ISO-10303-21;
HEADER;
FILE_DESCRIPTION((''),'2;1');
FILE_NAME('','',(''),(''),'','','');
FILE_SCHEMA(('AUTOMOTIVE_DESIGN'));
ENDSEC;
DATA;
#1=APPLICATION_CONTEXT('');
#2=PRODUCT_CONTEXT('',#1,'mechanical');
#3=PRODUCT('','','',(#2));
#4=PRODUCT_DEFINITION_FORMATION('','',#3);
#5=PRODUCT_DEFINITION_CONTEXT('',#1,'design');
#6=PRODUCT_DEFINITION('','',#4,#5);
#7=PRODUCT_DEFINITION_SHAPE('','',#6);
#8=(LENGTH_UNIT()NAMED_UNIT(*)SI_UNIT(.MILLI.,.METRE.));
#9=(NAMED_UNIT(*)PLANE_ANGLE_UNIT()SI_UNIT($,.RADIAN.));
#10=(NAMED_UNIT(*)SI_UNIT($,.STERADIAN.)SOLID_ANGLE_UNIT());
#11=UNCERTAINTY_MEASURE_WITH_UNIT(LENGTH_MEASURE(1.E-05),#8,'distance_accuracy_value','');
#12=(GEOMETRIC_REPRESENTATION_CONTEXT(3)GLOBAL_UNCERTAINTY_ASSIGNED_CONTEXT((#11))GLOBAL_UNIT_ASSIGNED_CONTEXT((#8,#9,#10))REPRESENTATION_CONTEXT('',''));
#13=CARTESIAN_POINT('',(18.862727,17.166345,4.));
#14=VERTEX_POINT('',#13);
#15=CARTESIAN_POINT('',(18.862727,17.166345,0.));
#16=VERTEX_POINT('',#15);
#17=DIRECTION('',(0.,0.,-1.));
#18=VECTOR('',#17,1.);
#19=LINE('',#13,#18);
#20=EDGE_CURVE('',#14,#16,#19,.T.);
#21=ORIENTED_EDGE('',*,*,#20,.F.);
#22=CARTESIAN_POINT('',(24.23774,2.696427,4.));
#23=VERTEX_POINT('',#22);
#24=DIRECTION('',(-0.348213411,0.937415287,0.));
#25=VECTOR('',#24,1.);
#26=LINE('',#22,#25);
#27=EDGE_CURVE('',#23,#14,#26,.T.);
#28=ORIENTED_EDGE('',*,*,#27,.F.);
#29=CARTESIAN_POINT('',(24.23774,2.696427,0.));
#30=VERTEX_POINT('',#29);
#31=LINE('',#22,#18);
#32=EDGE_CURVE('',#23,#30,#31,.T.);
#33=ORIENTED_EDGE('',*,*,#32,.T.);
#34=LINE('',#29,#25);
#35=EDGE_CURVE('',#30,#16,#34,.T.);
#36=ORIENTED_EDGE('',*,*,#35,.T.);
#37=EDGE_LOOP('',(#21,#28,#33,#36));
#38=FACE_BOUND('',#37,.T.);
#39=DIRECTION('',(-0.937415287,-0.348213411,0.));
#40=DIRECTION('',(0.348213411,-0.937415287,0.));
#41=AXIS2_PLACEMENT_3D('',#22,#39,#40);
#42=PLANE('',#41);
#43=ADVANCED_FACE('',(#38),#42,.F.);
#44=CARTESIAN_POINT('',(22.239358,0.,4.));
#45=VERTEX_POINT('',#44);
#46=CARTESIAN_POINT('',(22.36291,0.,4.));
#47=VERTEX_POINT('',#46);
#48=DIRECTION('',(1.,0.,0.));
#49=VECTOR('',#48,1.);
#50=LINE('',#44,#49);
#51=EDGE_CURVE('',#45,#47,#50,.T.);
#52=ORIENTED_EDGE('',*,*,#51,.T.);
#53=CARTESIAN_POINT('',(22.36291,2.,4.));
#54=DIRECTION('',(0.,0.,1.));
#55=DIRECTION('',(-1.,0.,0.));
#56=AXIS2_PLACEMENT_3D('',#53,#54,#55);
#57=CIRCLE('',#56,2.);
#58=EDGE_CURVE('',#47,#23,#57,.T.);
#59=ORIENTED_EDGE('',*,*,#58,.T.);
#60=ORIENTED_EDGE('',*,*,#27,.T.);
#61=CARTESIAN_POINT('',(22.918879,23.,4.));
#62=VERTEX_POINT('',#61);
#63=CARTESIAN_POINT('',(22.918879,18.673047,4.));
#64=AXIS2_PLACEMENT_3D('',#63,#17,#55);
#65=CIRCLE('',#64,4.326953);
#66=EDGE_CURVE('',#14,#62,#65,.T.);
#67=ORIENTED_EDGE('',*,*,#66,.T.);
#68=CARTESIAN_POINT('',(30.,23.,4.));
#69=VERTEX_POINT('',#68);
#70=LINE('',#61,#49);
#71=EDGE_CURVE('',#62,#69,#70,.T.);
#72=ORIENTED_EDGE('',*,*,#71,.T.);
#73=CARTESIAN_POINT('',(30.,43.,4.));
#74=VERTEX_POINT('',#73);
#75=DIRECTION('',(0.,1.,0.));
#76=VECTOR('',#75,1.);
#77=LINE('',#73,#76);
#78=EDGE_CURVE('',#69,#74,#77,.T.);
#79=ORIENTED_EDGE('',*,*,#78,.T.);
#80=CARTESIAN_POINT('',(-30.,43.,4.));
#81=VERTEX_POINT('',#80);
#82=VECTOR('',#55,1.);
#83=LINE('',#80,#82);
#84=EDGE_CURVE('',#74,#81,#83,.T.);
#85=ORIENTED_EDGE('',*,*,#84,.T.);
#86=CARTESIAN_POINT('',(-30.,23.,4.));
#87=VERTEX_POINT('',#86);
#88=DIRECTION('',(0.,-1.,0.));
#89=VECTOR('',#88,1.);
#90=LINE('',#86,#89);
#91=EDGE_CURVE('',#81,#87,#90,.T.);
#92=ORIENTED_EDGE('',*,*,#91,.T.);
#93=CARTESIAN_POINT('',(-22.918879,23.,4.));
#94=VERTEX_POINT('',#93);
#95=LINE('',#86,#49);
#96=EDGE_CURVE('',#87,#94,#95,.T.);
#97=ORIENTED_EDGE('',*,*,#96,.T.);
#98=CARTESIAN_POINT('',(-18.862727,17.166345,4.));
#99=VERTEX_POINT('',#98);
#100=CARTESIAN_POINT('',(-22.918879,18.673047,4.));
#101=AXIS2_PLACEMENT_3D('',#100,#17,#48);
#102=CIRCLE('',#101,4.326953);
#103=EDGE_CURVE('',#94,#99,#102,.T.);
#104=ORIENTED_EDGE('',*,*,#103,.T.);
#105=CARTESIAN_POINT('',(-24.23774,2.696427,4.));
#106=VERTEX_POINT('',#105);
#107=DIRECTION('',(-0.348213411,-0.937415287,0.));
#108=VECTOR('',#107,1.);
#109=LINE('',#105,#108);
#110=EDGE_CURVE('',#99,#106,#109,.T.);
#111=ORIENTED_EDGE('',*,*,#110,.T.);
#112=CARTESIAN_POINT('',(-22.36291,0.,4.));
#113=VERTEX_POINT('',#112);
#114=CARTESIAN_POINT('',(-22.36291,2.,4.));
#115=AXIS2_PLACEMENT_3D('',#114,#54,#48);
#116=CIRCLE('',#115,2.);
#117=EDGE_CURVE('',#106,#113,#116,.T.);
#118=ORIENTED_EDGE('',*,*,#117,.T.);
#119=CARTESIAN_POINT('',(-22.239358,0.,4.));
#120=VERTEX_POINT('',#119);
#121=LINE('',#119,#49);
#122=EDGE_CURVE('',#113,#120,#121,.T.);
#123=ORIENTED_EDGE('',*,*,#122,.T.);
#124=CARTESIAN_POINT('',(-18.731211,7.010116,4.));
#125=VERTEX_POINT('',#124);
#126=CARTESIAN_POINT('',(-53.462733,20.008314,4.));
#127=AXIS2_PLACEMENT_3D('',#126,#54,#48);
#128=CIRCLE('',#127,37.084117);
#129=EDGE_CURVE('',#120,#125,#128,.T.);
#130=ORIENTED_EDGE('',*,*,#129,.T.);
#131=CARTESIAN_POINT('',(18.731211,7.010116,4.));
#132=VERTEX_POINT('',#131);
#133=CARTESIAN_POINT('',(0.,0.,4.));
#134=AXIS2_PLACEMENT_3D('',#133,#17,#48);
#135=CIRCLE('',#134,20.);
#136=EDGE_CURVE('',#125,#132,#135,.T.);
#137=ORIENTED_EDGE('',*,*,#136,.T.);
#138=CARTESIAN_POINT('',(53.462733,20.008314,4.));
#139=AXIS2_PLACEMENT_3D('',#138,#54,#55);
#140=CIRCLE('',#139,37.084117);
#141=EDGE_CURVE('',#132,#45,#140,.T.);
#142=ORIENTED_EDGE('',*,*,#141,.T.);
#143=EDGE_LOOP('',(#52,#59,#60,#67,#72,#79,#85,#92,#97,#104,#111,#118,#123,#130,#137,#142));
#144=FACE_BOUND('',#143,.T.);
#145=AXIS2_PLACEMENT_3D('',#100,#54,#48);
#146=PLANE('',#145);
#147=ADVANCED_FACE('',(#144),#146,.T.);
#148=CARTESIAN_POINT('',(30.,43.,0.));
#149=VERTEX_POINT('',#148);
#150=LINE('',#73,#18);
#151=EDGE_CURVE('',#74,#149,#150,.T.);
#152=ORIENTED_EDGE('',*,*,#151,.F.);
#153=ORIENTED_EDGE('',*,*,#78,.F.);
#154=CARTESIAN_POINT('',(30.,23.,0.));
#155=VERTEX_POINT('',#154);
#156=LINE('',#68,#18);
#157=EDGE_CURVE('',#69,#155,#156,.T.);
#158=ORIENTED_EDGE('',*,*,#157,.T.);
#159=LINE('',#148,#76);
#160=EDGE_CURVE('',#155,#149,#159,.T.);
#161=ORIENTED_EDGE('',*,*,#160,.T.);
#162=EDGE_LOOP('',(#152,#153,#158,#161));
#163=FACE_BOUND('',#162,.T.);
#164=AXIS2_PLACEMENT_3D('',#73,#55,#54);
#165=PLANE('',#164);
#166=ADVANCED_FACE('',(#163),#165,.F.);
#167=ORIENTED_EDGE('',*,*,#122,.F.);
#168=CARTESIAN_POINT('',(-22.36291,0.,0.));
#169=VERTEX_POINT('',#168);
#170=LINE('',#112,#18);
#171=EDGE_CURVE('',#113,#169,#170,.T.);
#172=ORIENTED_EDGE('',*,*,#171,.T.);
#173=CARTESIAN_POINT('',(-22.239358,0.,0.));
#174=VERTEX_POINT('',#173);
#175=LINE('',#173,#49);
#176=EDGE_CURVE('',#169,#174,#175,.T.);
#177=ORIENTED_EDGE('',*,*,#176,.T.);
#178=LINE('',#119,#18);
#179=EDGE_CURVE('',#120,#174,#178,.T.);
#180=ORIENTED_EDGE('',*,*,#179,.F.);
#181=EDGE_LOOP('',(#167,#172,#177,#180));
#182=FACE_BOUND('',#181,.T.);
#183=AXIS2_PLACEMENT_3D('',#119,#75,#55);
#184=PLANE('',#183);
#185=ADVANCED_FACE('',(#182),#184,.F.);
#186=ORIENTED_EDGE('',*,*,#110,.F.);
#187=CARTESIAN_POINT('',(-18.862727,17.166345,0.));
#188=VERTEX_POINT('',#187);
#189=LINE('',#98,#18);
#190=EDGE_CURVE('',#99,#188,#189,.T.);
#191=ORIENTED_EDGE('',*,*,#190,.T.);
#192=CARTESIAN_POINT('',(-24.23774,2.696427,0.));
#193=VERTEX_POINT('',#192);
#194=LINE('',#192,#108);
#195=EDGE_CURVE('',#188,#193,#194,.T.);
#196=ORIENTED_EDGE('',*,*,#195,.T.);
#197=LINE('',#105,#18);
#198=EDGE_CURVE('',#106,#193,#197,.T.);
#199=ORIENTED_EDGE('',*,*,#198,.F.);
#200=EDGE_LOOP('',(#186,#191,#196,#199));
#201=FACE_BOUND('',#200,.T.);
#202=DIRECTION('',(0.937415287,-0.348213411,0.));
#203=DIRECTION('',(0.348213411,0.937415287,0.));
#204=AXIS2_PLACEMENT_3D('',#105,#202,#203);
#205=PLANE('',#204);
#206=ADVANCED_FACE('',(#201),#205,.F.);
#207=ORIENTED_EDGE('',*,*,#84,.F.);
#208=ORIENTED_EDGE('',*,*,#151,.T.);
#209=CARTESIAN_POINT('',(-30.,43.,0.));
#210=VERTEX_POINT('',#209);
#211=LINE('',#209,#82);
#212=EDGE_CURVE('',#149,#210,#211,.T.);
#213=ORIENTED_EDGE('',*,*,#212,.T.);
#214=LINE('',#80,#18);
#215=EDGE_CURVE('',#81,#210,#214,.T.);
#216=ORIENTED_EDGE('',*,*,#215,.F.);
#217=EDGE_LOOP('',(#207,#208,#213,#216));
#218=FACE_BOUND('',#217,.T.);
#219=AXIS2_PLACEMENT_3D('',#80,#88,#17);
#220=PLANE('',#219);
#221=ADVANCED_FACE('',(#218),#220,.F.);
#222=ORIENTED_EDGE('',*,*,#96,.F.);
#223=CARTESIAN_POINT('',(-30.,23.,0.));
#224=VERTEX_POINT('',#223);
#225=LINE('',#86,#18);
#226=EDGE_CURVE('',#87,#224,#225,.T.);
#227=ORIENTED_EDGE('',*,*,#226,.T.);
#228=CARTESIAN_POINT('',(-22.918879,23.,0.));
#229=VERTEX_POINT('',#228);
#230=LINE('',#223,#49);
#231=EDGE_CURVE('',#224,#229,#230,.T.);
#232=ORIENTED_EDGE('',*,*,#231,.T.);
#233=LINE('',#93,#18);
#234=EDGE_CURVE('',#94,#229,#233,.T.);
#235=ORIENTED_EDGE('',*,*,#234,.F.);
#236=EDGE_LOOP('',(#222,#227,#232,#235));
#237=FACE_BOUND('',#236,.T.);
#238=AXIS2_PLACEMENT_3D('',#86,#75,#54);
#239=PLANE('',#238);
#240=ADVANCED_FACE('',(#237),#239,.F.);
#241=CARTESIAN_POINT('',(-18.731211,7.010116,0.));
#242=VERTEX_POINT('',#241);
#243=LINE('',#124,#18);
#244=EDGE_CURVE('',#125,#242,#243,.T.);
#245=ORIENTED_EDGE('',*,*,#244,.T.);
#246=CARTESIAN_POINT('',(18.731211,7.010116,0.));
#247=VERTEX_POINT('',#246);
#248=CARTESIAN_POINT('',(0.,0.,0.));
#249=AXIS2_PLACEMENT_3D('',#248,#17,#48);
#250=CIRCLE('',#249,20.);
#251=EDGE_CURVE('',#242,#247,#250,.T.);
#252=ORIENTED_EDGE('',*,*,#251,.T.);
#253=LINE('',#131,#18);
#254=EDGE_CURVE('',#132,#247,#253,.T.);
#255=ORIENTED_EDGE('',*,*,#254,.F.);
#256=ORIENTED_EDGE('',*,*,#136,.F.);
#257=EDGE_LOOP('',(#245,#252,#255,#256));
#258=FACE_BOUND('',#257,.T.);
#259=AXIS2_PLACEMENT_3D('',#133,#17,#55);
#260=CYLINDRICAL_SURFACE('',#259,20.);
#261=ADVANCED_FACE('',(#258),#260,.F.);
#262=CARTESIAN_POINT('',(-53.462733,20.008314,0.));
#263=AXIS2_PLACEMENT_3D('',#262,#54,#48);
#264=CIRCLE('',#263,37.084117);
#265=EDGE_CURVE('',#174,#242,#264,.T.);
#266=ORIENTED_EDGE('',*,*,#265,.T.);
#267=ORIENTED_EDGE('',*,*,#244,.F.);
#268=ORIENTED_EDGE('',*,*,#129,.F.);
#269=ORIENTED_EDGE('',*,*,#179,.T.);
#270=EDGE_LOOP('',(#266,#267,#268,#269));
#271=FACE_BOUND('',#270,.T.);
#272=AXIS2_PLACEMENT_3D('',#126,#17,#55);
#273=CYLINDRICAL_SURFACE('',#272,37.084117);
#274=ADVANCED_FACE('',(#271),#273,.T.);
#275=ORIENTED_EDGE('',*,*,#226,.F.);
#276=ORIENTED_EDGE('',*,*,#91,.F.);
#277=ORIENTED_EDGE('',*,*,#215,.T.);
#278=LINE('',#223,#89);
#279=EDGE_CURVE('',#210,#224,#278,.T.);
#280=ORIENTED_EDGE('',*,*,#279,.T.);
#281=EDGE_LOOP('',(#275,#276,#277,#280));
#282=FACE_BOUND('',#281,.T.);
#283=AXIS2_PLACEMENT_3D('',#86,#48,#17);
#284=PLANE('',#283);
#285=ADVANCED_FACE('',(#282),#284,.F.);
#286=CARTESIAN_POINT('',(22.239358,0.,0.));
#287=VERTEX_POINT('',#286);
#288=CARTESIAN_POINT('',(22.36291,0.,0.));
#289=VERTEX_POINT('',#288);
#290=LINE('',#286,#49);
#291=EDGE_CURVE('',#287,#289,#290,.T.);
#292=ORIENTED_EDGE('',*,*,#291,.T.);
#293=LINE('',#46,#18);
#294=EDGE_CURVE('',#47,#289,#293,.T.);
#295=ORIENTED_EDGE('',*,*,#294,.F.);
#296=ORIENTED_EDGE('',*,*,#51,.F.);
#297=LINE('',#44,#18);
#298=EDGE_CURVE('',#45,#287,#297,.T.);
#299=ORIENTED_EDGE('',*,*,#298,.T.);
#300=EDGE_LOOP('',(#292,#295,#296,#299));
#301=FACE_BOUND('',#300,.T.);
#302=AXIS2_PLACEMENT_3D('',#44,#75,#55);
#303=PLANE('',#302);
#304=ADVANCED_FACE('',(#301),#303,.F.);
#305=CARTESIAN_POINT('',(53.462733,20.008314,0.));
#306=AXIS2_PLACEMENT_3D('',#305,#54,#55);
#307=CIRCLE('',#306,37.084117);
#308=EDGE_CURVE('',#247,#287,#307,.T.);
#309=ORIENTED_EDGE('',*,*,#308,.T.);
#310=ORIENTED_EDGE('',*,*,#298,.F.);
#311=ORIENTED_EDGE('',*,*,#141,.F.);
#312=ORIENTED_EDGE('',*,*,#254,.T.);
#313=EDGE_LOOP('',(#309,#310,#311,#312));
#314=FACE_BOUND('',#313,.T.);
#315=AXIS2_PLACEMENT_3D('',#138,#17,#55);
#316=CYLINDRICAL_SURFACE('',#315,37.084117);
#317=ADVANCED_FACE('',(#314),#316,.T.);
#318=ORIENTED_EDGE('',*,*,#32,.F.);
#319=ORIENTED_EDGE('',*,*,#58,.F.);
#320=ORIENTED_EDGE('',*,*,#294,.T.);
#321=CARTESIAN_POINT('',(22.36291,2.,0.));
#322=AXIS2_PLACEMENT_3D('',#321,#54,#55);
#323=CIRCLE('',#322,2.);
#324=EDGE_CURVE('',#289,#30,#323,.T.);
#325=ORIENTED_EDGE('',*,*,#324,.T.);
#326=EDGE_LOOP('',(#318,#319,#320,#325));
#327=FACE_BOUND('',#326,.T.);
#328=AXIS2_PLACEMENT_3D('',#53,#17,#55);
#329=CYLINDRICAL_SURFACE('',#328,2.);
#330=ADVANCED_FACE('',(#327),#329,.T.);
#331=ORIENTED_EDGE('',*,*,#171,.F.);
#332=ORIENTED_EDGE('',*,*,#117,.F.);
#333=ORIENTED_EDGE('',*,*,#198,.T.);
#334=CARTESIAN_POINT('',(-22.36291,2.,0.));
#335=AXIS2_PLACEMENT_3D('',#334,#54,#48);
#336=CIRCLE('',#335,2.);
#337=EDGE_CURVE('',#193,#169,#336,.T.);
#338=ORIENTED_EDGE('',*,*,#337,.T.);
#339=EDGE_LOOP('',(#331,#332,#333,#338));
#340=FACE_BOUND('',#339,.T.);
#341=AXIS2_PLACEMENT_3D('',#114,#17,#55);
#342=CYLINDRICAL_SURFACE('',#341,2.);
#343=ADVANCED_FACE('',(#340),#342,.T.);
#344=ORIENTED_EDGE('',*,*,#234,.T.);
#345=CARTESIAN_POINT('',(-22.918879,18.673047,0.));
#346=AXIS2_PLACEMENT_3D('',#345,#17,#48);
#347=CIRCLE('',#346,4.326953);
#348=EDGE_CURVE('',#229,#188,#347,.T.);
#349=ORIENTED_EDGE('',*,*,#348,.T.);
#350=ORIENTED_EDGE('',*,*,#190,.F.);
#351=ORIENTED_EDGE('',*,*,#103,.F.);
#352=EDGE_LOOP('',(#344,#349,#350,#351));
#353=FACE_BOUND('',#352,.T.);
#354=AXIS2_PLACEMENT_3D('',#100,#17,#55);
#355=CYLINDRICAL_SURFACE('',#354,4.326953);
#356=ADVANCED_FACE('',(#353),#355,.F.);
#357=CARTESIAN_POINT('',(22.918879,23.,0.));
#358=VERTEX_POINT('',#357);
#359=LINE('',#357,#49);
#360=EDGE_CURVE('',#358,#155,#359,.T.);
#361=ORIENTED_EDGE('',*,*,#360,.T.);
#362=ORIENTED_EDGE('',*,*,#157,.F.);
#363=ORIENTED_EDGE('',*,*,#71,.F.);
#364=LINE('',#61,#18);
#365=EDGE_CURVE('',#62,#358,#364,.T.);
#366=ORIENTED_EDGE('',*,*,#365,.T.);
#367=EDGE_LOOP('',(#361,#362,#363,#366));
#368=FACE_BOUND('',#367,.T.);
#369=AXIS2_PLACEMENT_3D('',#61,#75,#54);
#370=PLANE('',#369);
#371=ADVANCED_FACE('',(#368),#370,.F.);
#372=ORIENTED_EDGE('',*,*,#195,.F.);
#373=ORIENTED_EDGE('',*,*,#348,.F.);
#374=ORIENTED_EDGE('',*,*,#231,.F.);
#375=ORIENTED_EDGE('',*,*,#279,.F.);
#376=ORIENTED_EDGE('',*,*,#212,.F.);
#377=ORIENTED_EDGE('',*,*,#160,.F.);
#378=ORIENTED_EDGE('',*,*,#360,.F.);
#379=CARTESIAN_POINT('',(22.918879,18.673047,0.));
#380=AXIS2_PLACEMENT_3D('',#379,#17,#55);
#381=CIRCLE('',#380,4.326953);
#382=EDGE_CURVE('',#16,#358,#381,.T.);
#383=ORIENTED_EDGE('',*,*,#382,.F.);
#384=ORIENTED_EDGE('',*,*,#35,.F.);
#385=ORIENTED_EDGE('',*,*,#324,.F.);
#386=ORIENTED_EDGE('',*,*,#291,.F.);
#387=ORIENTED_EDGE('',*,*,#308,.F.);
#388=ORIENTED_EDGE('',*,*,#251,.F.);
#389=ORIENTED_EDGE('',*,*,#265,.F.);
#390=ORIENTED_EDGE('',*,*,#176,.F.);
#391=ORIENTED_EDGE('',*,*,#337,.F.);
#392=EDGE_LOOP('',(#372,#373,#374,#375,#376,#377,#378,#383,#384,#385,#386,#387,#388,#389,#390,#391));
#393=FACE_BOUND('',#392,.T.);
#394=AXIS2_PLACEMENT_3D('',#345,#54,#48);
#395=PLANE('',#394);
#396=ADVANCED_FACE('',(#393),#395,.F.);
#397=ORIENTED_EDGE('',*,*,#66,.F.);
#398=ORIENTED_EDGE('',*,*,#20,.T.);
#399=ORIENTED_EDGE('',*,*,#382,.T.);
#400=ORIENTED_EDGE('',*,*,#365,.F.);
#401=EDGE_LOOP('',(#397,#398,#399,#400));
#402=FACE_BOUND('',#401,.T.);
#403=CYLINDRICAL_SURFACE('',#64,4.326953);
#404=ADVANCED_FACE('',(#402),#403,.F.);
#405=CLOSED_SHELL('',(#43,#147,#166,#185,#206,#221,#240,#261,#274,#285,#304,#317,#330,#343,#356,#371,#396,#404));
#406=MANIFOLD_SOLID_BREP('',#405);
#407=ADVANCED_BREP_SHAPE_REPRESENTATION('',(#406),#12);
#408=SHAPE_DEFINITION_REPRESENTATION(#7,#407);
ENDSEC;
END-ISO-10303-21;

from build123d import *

# Parameters (mm, degrees)
EXTRUDE_1_DEPTH = 4


with BuildPart() as part:
    # 草图1 → 凸台-拉伸1 (new body)
    with BuildSketch(Plane.XY):
        with BuildLine():
            Line((-22.239358256, 0), (-22.36290973, 0))
            ThreePointArc((-22.36290973, 0), (-24.004989759, 0.858258708), (-24.237740304, 2.696426821))
            Line((-24.237740304, 2.696426821), (-18.862727252, 17.166344555))
            ThreePointArc((-18.862727252, 17.166344555), (-19.366277535, 21.143177652), (-22.918878713, 23))
            Line((-22.918878713, 23), (-30, 23))
            Line((-30, 23), (-30, 43))
            Line((-30, 43), (30, 43))
            Line((30, 43), (30, 23))
            Line((30, 23), (22.918878713, 23))
            ThreePointArc((22.918878713, 23), (19.366277535, 21.143177652), (18.862727252, 17.166344555))
            Line((18.862727252, 17.166344555), (24.237740304, 2.696426821))
            ThreePointArc((24.237740304, 2.696426821), (24.004989759, 0.858258708), (22.36290973, 0))
            Line((22.36290973, 0), (22.239358256, 0))
            ThreePointArc((22.239358256, 0), (20.299537687, 3.412102539), (18.731211271, 7.010115856))
            ThreePointArc((18.731211271, 7.010115856), (0, 20), (-18.731211271, 7.010115856))
            ThreePointArc((-18.731211271, 7.010115856), (-20.299537687, 3.412102539), (-22.239358256, 0))
        make_face()
    extrude(amount=EXTRUDE_1_DEPTH)


solid = part.part
